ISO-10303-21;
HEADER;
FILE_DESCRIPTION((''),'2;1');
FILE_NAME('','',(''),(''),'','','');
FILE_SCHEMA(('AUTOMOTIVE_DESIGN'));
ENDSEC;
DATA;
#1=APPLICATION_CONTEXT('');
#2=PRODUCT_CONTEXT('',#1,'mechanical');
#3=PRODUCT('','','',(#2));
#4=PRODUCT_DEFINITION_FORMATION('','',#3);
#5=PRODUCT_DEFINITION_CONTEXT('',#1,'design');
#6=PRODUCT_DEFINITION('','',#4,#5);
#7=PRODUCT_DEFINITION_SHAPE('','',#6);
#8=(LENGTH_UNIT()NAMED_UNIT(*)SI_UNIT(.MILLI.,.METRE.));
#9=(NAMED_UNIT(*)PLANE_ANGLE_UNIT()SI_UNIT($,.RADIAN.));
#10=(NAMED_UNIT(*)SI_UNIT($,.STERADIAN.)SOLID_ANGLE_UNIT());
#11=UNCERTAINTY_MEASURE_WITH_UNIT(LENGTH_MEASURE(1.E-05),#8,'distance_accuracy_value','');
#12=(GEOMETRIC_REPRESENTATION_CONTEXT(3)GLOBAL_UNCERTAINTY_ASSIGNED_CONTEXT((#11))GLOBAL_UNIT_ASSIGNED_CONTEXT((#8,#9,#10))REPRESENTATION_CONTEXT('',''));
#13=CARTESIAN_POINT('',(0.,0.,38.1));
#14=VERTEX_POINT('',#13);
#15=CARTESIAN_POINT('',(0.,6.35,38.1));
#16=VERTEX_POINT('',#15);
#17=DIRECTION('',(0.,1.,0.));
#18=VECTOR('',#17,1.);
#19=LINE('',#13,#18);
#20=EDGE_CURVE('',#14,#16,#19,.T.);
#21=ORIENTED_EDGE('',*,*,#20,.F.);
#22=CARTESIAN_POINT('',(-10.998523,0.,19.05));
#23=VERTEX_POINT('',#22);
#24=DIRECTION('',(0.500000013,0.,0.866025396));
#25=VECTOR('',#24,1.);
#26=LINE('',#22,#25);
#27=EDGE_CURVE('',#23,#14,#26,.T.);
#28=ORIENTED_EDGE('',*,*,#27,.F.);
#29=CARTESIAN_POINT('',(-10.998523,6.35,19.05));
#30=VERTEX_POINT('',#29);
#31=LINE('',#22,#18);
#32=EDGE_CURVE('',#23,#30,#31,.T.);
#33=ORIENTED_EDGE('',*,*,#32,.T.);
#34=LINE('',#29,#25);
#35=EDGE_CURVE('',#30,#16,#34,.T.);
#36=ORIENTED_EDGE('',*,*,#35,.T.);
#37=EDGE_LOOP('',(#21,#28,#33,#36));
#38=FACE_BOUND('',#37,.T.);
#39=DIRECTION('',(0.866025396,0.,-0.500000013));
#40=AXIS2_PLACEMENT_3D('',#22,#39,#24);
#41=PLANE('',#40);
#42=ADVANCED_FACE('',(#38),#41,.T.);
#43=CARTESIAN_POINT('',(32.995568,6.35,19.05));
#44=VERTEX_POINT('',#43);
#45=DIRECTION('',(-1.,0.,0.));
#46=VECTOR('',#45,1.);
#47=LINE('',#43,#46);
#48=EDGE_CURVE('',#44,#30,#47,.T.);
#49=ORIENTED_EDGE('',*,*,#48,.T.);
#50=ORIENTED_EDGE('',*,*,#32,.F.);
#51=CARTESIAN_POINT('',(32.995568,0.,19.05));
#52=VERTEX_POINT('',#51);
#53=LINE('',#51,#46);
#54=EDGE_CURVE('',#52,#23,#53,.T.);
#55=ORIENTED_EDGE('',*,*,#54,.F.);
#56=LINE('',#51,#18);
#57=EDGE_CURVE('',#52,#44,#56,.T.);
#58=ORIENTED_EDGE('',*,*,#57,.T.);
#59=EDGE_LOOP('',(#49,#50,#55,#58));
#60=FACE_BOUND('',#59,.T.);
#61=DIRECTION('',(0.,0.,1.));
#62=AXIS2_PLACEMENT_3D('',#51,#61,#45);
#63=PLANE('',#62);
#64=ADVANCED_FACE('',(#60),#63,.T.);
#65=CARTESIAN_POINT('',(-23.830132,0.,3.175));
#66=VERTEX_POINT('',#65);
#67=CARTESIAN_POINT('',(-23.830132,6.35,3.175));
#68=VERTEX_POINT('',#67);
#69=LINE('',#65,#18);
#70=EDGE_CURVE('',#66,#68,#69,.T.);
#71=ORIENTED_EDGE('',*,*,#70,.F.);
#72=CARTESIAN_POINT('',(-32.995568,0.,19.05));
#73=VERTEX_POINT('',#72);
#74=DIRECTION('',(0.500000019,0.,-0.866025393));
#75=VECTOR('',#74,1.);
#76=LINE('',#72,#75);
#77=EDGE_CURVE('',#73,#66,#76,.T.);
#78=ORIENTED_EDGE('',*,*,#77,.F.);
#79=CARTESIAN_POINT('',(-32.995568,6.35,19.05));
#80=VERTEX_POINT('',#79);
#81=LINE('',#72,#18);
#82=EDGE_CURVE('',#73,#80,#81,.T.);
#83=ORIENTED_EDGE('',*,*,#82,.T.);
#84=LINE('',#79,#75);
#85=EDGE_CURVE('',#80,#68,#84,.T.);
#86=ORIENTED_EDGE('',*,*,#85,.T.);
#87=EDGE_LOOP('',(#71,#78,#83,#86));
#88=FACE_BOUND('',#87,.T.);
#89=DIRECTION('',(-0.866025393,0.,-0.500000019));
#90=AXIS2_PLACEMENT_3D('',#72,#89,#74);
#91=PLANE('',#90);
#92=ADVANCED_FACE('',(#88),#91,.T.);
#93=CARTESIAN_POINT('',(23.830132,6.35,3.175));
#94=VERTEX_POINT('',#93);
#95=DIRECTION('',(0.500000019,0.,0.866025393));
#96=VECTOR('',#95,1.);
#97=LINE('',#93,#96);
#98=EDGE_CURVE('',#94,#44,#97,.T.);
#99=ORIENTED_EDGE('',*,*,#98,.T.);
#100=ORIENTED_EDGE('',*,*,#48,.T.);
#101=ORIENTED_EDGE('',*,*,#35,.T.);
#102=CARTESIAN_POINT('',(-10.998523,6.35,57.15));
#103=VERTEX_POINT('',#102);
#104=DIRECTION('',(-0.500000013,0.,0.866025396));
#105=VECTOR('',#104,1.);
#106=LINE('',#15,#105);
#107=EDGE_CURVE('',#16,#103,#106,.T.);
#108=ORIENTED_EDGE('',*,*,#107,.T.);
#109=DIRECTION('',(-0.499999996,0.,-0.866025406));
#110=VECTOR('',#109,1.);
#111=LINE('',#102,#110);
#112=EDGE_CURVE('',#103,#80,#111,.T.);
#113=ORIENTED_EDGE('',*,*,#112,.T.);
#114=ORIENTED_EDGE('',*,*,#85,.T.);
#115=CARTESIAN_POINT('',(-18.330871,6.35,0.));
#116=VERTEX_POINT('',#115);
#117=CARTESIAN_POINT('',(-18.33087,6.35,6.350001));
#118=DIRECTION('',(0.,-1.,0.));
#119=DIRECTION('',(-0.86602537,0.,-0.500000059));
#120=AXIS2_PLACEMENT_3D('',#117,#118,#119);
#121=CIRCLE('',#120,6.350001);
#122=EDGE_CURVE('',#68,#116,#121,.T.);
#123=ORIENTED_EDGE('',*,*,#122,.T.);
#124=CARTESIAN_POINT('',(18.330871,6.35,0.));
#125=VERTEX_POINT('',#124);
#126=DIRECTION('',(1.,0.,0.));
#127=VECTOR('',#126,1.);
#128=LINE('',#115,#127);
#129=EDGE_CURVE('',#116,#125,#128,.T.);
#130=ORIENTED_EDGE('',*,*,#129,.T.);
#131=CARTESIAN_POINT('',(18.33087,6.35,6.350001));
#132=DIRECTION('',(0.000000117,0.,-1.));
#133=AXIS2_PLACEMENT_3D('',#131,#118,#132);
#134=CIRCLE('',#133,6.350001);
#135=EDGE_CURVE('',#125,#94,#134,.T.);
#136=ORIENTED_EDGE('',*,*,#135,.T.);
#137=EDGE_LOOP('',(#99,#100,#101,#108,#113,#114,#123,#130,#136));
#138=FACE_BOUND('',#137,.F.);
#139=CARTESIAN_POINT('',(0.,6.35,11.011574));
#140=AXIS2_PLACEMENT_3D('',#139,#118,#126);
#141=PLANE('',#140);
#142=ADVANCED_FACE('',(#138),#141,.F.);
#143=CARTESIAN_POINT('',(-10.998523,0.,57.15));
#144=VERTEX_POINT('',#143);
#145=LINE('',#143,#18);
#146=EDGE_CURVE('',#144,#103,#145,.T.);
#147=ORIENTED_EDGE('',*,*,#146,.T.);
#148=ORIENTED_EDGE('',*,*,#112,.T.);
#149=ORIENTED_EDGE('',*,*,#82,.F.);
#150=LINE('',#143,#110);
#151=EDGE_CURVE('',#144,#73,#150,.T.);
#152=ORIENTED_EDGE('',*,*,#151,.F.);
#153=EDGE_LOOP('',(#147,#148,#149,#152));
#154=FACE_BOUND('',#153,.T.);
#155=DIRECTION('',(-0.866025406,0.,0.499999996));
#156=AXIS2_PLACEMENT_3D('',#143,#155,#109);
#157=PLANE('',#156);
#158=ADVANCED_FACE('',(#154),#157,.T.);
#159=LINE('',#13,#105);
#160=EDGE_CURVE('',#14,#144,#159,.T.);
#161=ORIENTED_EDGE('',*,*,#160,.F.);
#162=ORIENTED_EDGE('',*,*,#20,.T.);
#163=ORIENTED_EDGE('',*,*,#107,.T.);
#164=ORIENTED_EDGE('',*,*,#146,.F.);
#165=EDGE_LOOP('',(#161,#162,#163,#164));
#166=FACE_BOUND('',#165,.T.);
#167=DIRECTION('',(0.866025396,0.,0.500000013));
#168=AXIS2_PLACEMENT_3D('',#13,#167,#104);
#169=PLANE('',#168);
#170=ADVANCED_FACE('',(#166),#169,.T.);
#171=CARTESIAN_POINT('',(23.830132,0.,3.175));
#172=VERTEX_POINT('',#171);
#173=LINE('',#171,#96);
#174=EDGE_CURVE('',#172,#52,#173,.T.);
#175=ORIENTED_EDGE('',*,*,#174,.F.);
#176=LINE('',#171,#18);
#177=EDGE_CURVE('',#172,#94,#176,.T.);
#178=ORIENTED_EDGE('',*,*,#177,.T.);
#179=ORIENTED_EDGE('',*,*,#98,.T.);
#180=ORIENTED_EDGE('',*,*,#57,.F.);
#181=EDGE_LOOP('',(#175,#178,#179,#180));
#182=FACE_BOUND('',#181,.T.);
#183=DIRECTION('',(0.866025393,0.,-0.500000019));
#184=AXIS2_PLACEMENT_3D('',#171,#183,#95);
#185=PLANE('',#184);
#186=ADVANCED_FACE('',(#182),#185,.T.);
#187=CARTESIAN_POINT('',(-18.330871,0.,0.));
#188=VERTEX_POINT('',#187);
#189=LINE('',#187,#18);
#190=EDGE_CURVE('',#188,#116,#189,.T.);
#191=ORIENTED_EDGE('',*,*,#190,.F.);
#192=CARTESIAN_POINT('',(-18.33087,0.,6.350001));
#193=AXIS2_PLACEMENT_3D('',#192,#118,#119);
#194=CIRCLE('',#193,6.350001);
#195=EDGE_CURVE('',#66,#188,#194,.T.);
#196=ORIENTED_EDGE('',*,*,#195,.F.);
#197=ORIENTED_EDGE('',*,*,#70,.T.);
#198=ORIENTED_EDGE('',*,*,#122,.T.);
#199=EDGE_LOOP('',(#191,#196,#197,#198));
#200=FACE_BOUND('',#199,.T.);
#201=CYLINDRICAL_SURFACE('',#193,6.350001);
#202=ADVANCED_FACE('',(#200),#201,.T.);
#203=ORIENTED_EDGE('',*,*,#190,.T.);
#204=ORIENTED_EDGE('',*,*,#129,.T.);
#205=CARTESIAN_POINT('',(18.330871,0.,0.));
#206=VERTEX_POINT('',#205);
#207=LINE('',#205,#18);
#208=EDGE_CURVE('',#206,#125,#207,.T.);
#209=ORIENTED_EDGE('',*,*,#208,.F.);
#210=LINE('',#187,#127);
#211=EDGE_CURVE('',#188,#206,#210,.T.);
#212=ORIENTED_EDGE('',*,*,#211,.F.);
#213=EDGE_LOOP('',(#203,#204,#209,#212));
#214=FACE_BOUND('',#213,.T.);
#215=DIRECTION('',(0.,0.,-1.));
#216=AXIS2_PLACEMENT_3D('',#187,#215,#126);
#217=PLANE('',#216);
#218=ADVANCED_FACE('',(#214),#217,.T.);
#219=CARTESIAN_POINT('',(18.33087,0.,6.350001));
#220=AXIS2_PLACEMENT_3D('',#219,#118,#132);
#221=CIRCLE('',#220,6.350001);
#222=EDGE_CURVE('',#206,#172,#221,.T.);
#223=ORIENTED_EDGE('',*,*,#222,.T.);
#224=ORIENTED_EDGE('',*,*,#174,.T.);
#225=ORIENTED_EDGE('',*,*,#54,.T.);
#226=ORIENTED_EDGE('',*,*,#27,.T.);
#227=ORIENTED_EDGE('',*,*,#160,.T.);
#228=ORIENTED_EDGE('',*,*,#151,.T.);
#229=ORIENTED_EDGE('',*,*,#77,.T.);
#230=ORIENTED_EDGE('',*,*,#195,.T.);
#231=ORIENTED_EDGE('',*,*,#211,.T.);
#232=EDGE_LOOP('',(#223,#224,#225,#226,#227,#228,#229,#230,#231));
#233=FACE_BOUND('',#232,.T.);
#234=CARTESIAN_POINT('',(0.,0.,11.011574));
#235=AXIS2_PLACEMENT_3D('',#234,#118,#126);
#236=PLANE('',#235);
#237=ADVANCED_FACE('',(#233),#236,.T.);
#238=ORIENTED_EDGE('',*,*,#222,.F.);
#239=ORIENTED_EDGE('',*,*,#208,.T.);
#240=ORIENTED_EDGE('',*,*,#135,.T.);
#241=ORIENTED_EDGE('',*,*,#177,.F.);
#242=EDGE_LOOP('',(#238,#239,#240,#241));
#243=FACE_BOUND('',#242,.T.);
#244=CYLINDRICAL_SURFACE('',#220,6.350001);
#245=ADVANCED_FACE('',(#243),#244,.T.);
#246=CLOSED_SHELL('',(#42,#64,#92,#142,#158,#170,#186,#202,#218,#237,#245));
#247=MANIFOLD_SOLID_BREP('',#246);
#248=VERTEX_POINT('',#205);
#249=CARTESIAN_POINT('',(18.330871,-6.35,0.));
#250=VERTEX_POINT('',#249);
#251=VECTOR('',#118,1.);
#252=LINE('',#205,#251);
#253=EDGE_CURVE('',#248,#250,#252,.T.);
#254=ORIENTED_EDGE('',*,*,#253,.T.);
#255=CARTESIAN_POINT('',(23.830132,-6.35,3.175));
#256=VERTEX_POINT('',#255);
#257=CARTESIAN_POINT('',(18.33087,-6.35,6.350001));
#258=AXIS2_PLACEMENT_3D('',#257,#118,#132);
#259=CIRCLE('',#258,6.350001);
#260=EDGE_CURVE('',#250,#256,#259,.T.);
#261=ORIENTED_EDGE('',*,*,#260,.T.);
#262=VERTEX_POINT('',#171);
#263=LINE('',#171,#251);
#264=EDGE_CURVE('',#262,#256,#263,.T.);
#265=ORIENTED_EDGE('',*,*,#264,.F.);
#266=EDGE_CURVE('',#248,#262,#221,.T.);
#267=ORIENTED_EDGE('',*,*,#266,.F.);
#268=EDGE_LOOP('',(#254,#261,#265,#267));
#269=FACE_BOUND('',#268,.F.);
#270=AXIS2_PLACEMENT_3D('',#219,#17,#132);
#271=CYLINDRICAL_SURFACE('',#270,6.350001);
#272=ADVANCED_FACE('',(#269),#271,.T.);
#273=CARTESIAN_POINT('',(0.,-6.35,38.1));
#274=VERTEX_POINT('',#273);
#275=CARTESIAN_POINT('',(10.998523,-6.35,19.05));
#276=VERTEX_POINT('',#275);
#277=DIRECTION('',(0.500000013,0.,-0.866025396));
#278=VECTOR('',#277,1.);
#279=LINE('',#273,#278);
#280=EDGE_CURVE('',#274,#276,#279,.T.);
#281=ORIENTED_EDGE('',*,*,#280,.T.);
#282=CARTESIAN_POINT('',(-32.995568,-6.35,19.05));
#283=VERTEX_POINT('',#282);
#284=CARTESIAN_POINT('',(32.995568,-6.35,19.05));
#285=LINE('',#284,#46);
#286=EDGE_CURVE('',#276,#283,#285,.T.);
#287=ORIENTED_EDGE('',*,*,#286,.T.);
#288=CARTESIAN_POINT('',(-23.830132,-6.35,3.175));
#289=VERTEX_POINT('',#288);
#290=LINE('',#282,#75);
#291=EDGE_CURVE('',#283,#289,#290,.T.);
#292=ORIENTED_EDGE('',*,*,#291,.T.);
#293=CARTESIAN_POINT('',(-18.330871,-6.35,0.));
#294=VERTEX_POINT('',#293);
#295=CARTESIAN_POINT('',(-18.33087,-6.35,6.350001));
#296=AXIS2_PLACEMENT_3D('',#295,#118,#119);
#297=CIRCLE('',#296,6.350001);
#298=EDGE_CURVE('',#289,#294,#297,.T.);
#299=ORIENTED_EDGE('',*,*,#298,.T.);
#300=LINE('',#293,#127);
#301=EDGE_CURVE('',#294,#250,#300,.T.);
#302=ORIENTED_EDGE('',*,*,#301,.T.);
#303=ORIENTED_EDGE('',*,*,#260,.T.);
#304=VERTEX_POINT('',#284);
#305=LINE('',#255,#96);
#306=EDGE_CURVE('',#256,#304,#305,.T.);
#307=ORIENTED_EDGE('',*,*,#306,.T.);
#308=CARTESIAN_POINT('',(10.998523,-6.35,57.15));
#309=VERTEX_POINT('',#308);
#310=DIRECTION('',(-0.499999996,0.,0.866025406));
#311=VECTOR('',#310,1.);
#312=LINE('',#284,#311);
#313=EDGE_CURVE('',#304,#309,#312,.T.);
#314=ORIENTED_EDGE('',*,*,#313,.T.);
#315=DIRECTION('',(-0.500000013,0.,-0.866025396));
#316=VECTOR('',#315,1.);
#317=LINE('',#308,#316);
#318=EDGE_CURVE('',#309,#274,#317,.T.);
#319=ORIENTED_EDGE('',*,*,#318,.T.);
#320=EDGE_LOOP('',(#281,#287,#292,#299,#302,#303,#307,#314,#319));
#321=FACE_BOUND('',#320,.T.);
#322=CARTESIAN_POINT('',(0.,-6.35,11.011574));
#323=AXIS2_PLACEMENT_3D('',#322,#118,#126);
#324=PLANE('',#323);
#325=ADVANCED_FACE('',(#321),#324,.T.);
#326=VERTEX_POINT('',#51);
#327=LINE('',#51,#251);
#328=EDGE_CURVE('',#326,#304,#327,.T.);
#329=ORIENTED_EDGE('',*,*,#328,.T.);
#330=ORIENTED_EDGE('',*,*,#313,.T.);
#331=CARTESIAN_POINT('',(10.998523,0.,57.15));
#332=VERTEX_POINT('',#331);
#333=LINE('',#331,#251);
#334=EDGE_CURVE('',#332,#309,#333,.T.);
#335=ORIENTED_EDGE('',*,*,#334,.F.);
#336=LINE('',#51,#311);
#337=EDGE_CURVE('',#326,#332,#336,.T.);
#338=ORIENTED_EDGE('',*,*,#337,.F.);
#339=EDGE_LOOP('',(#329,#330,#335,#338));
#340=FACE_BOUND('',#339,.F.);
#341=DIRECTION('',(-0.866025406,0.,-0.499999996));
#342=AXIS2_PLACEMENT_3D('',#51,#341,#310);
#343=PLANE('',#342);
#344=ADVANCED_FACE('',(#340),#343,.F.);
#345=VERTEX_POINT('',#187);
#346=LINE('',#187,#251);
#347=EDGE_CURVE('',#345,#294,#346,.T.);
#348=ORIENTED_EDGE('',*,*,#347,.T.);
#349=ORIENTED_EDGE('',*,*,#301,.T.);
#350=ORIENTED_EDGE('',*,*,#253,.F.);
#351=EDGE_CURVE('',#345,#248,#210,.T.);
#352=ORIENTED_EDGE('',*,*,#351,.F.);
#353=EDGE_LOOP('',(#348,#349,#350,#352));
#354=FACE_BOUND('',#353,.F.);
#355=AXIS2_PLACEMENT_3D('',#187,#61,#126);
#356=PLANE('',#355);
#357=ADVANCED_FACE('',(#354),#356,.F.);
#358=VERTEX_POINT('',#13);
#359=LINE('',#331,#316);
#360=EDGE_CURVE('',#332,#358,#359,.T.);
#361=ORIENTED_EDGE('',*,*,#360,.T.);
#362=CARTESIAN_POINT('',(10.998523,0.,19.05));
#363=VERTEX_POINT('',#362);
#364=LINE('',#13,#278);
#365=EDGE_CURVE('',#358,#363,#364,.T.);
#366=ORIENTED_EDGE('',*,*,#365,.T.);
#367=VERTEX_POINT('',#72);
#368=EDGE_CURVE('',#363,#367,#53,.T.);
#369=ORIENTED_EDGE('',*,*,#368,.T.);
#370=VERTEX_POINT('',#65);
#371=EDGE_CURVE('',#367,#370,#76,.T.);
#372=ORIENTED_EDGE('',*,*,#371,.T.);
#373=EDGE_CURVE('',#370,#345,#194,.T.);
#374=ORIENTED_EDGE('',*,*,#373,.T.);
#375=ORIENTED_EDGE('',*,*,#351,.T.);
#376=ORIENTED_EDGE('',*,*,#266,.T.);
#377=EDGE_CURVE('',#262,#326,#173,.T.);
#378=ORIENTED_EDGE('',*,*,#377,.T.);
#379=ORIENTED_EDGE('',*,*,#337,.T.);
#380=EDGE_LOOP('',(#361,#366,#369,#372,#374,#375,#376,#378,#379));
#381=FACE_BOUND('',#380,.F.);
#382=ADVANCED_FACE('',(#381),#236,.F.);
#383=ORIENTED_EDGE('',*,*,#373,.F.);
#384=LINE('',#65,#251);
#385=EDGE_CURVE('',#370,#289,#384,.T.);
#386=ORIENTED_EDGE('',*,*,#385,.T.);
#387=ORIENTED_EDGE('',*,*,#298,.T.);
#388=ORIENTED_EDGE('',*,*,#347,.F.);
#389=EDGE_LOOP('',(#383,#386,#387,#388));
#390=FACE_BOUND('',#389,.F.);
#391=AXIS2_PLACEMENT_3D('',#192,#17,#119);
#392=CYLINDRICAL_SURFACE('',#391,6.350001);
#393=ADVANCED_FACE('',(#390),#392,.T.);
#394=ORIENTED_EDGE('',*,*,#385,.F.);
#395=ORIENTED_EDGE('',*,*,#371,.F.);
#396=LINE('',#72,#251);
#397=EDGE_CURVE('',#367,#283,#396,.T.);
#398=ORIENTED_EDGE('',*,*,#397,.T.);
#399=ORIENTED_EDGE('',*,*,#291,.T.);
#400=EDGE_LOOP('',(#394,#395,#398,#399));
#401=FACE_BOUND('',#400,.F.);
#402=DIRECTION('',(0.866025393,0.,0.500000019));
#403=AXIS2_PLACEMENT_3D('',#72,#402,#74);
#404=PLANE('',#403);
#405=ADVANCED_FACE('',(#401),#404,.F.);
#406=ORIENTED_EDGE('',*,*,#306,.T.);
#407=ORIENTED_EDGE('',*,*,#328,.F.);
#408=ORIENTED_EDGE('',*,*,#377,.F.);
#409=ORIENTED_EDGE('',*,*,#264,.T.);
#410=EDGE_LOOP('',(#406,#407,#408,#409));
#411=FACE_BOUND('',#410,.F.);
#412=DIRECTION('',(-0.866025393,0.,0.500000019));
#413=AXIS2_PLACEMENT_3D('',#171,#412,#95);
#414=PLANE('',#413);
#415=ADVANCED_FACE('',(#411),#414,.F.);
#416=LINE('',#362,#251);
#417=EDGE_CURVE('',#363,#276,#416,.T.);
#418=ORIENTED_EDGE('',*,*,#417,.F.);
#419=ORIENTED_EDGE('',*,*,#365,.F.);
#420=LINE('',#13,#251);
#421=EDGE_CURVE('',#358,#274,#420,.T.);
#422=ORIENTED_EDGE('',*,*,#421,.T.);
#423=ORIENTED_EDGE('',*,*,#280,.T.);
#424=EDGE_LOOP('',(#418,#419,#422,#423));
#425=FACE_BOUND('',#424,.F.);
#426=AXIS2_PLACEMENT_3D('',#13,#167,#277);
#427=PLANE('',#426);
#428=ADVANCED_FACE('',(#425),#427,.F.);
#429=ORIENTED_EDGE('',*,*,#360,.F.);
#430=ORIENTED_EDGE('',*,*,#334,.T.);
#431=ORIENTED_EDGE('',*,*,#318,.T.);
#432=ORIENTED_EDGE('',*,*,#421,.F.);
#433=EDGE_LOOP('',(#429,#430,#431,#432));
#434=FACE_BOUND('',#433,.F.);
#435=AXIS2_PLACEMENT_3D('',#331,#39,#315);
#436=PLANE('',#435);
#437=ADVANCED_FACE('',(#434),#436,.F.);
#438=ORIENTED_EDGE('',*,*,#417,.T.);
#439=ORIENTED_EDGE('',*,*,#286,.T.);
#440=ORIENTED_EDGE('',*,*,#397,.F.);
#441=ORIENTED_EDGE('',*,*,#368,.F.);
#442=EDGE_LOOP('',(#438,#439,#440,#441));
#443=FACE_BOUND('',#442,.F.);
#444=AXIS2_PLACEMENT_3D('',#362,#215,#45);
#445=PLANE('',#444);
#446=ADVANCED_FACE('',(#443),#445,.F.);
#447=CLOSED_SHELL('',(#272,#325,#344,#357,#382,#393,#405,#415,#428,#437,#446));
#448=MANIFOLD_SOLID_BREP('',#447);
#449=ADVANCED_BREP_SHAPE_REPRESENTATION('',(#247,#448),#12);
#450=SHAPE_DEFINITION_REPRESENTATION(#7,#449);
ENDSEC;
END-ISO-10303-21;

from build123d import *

# Parameters (mm, degrees)
F1_DEPTH = 6.35
F2_DEPTH = 6.35


with BuildPart() as f1:
    # F0 (on Front) → F1 (new body)
    with BuildSketch(Plane.XZ):
        with BuildLine():
            Line((-10.998523, 19.05), (-32.995568, 19.05))
            Line((-32.995568, 19.05), (-23.830132, 3.175))
            ThreePointArc((-23.830132, 3.175), (-21.505871, 0.850739), (-18.330871, 0))
            Line((-18.330871, 0), (18.330871, 0))
            ThreePointArc((18.330871, 0), (21.505871, 0.850739), (23.830132, 3.175))
            Line((23.830132, 3.175), (32.995568, 19.05))
            Line((32.995568, 19.05), (10.998523, 19.05))
            Line((10.998523, 19.05), (-10.998523, 19.05))
        make_face()
        Polygon((10.998523, 57.15), (0, 38.1), (10.998523, 19.05), (32.995568, 19.05), align=None)
    extrude(amount=F1_DEPTH)


with BuildPart() as f2:
    # F0 (on Front) → F2 (new body)
    with BuildSketch(Plane.XZ):
        with BuildLine():
            Line((-10.998523, 19.05), (-32.995568, 19.05))
            Line((-32.995568, 19.05), (-23.830132, 3.175))
            ThreePointArc((-23.830132, 3.175), (-21.505871, 0.850739), (-18.330871, 0))
            Line((-18.330871, 0), (18.330871, 0))
            ThreePointArc((18.330871, 0), (21.505871, 0.850739), (23.830132, 3.175))
            Line((23.830132, 3.175), (32.995568, 19.05))
            Line((32.995568, 19.05), (10.998523, 19.05))
            Line((10.998523, 19.05), (-10.998523, 19.05))
        make_face()
        Polygon((0, 38.1), (-10.998523, 57.15), (-32.995568, 19.05), (-10.998523, 19.05), align=None)
    extrude(amount=-F2_DEPTH)


solid = Compound([f1.part, f2.part])
